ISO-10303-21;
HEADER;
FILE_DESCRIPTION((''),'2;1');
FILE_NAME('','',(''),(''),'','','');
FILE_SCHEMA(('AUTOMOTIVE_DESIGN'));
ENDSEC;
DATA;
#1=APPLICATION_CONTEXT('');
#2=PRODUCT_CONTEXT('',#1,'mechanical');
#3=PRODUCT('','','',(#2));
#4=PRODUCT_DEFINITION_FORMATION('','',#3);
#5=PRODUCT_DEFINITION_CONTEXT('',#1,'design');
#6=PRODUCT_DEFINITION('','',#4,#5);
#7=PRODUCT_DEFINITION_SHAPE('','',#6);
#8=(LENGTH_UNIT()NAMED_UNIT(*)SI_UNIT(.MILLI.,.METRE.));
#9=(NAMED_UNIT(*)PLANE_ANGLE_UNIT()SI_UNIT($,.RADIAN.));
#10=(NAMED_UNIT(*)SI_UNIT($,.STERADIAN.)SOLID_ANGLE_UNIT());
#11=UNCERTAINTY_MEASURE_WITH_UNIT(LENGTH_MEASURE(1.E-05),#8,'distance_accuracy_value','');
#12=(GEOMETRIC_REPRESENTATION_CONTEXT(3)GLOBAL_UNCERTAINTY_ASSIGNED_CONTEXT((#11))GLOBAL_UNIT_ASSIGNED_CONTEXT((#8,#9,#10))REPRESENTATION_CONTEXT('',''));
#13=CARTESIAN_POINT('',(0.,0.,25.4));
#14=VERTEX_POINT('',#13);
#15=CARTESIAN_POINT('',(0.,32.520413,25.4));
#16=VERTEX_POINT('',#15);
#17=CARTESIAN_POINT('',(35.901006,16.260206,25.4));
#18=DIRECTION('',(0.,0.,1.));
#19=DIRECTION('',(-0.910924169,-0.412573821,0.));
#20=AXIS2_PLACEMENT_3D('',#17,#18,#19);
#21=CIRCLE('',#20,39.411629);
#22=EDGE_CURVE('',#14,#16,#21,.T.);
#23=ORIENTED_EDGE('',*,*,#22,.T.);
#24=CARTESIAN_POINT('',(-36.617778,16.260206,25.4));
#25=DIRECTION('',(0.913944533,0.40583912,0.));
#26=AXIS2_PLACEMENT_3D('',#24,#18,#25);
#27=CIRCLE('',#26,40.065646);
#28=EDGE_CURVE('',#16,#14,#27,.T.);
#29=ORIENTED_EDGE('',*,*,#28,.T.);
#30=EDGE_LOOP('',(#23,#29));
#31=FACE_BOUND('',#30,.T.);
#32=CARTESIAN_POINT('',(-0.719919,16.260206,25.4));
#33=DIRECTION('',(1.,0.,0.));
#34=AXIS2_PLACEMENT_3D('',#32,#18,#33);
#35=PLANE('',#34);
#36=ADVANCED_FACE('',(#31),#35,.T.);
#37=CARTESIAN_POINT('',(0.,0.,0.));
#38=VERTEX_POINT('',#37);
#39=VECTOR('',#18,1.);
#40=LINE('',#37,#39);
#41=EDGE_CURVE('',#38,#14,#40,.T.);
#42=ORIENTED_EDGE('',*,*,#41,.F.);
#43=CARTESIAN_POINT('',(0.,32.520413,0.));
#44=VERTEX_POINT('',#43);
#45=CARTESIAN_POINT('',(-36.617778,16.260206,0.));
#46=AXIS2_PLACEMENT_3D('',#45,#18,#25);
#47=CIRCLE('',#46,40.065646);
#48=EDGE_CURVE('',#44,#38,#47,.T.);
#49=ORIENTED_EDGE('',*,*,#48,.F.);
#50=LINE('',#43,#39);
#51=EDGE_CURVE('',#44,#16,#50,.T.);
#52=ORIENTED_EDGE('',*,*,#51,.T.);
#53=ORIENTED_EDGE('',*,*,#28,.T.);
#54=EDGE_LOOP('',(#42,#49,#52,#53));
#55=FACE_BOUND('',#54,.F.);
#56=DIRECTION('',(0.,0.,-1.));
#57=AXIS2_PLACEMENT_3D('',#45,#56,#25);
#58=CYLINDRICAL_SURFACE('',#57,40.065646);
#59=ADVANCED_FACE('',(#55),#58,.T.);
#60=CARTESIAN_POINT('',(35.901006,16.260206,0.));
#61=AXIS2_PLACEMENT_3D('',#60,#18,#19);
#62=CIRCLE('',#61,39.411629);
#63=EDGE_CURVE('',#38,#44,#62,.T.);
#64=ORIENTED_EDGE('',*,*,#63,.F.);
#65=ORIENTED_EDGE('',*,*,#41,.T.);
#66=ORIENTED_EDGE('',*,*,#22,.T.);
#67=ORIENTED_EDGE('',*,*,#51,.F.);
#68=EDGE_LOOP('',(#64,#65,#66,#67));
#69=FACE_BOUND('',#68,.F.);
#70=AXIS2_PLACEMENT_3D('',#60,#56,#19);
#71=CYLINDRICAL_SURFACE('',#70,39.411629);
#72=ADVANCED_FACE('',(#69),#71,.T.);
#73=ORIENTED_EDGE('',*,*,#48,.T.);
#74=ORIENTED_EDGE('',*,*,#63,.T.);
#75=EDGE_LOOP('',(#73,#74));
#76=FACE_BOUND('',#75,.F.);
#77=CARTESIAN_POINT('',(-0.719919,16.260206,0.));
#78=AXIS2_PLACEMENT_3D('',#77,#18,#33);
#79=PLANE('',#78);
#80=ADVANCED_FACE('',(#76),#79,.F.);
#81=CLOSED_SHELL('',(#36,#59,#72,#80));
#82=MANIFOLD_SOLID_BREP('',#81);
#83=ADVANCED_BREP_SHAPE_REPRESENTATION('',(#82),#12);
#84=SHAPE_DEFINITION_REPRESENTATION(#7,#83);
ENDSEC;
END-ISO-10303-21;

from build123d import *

# Parameters (mm, degrees)
F1_DEPTH = 25.4


with BuildPart() as f1:
    # F0 (on Top) → F1 (new body)
    with BuildSketch(Plane.XY):
        with BuildLine():
            ThreePointArc((0, 32.520413), (-76.683424, 16.260207), (0, 0))
            ThreePointArc((0, 0), (75.312635, 16.260207), (0, 32.520413))
        make_face()
    extrude(amount=F1_DEPTH)


solid = f1.part
